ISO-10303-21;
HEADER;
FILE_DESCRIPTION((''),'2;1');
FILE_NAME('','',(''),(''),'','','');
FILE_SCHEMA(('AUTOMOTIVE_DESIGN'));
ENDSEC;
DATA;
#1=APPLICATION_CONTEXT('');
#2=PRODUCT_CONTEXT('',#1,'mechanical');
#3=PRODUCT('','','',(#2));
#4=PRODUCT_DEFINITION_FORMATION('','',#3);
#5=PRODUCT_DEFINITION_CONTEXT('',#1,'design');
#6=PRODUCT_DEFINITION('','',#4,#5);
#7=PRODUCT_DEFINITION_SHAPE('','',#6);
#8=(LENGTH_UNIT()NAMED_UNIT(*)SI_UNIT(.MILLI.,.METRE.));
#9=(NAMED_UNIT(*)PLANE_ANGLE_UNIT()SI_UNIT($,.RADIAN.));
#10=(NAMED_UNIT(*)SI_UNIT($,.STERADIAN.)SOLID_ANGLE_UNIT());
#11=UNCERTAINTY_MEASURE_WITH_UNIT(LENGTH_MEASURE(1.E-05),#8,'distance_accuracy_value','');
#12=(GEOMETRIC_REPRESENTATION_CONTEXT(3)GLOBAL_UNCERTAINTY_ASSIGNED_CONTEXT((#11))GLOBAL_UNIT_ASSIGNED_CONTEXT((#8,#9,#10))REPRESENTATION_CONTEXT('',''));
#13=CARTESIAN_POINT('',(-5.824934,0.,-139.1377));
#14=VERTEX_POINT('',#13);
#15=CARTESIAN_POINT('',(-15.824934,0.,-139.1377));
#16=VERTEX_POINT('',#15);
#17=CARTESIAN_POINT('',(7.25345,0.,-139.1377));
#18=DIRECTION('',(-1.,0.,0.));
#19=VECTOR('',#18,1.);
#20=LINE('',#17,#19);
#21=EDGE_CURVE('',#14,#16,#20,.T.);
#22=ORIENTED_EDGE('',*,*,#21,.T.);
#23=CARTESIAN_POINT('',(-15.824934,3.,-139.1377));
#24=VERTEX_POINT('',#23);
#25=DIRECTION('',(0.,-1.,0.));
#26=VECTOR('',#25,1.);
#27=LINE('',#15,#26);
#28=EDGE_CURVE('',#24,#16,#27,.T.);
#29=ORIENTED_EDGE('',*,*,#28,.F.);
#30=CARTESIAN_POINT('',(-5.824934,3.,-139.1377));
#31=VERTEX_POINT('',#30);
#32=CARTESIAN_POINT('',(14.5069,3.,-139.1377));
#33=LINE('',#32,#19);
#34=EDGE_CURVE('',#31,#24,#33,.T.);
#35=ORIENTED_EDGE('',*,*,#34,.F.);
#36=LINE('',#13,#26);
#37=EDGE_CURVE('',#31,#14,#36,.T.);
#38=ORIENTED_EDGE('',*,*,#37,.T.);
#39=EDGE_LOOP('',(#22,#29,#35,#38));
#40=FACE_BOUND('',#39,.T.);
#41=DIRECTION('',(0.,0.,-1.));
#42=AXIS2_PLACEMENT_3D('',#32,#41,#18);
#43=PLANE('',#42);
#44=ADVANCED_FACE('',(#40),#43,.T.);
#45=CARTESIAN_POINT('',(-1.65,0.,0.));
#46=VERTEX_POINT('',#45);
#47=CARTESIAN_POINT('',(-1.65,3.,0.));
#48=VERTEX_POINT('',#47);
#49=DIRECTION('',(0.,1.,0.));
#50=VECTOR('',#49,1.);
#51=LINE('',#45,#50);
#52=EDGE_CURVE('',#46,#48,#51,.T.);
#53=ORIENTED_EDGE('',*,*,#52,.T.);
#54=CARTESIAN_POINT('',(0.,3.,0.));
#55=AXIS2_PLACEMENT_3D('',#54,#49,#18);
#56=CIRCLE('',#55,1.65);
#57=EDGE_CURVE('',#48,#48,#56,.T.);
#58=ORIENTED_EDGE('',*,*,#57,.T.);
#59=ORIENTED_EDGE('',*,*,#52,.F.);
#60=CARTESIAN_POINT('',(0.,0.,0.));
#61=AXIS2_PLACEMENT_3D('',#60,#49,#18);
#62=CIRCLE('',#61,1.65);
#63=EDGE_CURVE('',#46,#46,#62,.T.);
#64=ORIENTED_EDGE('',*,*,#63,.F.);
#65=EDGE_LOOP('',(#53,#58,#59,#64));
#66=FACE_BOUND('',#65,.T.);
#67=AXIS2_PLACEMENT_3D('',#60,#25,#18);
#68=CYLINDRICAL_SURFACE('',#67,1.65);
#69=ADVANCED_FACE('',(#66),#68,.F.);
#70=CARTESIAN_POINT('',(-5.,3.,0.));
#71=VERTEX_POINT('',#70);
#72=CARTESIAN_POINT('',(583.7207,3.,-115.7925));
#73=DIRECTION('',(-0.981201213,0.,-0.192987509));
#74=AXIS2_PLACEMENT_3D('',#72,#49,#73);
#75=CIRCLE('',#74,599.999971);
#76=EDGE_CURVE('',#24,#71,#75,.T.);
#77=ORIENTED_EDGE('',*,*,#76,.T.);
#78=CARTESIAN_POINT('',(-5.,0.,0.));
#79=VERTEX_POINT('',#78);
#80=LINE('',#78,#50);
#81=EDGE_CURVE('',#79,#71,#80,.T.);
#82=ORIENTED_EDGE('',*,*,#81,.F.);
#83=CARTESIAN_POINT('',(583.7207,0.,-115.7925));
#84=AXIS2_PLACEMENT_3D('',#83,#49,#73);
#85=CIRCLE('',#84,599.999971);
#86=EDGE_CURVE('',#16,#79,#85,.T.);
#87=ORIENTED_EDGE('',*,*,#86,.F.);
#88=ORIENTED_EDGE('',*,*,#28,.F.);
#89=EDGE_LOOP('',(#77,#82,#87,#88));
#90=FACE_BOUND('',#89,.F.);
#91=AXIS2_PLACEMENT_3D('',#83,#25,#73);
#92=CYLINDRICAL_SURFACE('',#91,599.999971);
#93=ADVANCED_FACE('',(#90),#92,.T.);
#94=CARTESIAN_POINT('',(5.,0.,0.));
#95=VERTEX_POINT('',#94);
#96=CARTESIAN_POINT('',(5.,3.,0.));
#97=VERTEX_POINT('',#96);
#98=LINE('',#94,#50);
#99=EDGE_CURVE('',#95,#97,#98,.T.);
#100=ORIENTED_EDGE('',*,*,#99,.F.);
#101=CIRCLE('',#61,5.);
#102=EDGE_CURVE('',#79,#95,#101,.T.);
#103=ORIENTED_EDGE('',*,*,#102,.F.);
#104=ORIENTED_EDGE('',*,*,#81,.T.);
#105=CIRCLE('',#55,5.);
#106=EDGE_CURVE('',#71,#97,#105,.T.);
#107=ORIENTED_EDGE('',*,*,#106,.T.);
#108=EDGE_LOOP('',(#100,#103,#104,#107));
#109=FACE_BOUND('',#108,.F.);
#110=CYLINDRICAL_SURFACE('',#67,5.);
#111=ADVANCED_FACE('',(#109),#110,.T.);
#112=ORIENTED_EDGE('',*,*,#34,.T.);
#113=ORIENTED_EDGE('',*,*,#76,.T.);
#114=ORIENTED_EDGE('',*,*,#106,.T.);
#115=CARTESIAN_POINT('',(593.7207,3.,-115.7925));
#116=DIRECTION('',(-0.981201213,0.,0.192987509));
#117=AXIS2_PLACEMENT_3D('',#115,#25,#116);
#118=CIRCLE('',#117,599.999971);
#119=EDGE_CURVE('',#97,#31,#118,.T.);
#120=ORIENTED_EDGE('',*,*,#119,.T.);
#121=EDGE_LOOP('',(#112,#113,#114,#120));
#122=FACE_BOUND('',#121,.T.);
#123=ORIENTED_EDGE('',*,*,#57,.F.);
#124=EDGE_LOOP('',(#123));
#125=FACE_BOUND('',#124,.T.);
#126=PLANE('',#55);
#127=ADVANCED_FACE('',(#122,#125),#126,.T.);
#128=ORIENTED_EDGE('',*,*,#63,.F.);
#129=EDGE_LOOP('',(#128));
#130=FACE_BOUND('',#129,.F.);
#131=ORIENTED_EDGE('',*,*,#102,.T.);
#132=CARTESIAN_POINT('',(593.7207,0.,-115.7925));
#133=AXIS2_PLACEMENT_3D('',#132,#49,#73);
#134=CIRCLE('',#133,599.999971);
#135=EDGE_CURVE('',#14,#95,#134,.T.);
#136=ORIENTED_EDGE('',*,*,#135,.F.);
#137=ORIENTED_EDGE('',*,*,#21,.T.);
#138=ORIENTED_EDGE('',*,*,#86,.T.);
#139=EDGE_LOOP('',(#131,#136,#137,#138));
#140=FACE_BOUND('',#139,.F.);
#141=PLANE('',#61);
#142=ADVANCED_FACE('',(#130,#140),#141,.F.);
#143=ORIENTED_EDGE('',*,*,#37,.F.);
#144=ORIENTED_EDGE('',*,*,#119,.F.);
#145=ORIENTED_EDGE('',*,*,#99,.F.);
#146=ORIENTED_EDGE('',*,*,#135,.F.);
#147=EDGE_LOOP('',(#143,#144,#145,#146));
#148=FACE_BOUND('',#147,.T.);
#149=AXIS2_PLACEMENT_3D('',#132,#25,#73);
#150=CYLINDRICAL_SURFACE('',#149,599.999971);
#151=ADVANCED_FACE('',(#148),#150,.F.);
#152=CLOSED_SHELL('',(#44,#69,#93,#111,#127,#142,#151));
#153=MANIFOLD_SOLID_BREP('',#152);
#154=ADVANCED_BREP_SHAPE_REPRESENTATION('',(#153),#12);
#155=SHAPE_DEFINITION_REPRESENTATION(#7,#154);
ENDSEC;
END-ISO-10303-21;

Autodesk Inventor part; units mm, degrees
ref_plane "YZ Plane" through (0, 0, 0) normal (1, 0, 0) x (0, 1, 0)
ref_plane "XZ Plane" through (0, 0, 0) normal (0, 1, 0) x (-1, 0, 0)
ref_plane "XY Plane" through (0, 0, 0) normal (0, 0, 1) x (1, 0, 0)
sketch "Sketch1" plane through (0, 0, 0) normal (0, 1, 0) x (-1, 0, 0)
  line L0 (0, 0) -> (0, -288.984) construction
  line L1 (5, 0) -> (5, -288.984)
  line L2 (-5, -288.984) -> (-5, 0)
  arc A0 (5, 0) -> (-5, 0) centre (0, 0) ccw
  arc A1 (-5, -288.984) -> (5, -288.984) centre (0, -288.984) ccw
  circle A2 centre (0, 0) radius 1.65
  circle A3 centre (0, -288.984) radius 1.65
  circle A4 centre (0, -231.585) radius 1.65
  arc A5 (-5, -231.585) -> (-5, 0) centre (-593.7207, -115.7925) ccw
  arc A6 (5, -231.585) -> (5, 0) centre (-583.7207, -115.7925) ccw
  point P0 (0, -144.492)
  dimension "d0" = 3.3
  dimension "d1" = 3.3
  dimension "d2" = 10
  dimension "d3" = 288.984
  dimension "d14" = 3.3
  dimension "d15" = 231.585
  dimension "d18" = 600
  dimension "d19" = 600
extrude "Extrusion1" add sketch "Sketch1" along normal blind 3 contours L1 A1 L2 A5 | L1 A5 A6 | L1 A5 A0
sketch "Sketch2" plane through (0, 3, 0) normal (0, 1, 0) x (1, 0, 0)
  line L0 (-27.7109, 299.4385) -> (14.5069, 299.4385)
  line L1 (14.5069, 299.4385) -> (14.5069, 139.1377)
  line L2 (14.5069, 139.1377) -> (-27.7109, 139.1377)
  line L3 (-27.7109, 139.1377) -> (-27.7109, 299.4385)
  line L4 (-101.0366, 321.0236) -> (54.5028, 321.0236)
  line L5 (54.5028, 321.0236) -> (54.5028, -14.1796)
  line L6 (54.5028, -14.1796) -> (-101.0366, -14.1796)
  line L7 (-101.0366, -14.1796) -> (-101.0366, 321.0236)
  point P0 (0, 0)
extrude "Extrusion2" cut sketch "Sketch2" against normal blind 10 contours L0 L1 L2 L3
properties part number "Part_7_p1"
